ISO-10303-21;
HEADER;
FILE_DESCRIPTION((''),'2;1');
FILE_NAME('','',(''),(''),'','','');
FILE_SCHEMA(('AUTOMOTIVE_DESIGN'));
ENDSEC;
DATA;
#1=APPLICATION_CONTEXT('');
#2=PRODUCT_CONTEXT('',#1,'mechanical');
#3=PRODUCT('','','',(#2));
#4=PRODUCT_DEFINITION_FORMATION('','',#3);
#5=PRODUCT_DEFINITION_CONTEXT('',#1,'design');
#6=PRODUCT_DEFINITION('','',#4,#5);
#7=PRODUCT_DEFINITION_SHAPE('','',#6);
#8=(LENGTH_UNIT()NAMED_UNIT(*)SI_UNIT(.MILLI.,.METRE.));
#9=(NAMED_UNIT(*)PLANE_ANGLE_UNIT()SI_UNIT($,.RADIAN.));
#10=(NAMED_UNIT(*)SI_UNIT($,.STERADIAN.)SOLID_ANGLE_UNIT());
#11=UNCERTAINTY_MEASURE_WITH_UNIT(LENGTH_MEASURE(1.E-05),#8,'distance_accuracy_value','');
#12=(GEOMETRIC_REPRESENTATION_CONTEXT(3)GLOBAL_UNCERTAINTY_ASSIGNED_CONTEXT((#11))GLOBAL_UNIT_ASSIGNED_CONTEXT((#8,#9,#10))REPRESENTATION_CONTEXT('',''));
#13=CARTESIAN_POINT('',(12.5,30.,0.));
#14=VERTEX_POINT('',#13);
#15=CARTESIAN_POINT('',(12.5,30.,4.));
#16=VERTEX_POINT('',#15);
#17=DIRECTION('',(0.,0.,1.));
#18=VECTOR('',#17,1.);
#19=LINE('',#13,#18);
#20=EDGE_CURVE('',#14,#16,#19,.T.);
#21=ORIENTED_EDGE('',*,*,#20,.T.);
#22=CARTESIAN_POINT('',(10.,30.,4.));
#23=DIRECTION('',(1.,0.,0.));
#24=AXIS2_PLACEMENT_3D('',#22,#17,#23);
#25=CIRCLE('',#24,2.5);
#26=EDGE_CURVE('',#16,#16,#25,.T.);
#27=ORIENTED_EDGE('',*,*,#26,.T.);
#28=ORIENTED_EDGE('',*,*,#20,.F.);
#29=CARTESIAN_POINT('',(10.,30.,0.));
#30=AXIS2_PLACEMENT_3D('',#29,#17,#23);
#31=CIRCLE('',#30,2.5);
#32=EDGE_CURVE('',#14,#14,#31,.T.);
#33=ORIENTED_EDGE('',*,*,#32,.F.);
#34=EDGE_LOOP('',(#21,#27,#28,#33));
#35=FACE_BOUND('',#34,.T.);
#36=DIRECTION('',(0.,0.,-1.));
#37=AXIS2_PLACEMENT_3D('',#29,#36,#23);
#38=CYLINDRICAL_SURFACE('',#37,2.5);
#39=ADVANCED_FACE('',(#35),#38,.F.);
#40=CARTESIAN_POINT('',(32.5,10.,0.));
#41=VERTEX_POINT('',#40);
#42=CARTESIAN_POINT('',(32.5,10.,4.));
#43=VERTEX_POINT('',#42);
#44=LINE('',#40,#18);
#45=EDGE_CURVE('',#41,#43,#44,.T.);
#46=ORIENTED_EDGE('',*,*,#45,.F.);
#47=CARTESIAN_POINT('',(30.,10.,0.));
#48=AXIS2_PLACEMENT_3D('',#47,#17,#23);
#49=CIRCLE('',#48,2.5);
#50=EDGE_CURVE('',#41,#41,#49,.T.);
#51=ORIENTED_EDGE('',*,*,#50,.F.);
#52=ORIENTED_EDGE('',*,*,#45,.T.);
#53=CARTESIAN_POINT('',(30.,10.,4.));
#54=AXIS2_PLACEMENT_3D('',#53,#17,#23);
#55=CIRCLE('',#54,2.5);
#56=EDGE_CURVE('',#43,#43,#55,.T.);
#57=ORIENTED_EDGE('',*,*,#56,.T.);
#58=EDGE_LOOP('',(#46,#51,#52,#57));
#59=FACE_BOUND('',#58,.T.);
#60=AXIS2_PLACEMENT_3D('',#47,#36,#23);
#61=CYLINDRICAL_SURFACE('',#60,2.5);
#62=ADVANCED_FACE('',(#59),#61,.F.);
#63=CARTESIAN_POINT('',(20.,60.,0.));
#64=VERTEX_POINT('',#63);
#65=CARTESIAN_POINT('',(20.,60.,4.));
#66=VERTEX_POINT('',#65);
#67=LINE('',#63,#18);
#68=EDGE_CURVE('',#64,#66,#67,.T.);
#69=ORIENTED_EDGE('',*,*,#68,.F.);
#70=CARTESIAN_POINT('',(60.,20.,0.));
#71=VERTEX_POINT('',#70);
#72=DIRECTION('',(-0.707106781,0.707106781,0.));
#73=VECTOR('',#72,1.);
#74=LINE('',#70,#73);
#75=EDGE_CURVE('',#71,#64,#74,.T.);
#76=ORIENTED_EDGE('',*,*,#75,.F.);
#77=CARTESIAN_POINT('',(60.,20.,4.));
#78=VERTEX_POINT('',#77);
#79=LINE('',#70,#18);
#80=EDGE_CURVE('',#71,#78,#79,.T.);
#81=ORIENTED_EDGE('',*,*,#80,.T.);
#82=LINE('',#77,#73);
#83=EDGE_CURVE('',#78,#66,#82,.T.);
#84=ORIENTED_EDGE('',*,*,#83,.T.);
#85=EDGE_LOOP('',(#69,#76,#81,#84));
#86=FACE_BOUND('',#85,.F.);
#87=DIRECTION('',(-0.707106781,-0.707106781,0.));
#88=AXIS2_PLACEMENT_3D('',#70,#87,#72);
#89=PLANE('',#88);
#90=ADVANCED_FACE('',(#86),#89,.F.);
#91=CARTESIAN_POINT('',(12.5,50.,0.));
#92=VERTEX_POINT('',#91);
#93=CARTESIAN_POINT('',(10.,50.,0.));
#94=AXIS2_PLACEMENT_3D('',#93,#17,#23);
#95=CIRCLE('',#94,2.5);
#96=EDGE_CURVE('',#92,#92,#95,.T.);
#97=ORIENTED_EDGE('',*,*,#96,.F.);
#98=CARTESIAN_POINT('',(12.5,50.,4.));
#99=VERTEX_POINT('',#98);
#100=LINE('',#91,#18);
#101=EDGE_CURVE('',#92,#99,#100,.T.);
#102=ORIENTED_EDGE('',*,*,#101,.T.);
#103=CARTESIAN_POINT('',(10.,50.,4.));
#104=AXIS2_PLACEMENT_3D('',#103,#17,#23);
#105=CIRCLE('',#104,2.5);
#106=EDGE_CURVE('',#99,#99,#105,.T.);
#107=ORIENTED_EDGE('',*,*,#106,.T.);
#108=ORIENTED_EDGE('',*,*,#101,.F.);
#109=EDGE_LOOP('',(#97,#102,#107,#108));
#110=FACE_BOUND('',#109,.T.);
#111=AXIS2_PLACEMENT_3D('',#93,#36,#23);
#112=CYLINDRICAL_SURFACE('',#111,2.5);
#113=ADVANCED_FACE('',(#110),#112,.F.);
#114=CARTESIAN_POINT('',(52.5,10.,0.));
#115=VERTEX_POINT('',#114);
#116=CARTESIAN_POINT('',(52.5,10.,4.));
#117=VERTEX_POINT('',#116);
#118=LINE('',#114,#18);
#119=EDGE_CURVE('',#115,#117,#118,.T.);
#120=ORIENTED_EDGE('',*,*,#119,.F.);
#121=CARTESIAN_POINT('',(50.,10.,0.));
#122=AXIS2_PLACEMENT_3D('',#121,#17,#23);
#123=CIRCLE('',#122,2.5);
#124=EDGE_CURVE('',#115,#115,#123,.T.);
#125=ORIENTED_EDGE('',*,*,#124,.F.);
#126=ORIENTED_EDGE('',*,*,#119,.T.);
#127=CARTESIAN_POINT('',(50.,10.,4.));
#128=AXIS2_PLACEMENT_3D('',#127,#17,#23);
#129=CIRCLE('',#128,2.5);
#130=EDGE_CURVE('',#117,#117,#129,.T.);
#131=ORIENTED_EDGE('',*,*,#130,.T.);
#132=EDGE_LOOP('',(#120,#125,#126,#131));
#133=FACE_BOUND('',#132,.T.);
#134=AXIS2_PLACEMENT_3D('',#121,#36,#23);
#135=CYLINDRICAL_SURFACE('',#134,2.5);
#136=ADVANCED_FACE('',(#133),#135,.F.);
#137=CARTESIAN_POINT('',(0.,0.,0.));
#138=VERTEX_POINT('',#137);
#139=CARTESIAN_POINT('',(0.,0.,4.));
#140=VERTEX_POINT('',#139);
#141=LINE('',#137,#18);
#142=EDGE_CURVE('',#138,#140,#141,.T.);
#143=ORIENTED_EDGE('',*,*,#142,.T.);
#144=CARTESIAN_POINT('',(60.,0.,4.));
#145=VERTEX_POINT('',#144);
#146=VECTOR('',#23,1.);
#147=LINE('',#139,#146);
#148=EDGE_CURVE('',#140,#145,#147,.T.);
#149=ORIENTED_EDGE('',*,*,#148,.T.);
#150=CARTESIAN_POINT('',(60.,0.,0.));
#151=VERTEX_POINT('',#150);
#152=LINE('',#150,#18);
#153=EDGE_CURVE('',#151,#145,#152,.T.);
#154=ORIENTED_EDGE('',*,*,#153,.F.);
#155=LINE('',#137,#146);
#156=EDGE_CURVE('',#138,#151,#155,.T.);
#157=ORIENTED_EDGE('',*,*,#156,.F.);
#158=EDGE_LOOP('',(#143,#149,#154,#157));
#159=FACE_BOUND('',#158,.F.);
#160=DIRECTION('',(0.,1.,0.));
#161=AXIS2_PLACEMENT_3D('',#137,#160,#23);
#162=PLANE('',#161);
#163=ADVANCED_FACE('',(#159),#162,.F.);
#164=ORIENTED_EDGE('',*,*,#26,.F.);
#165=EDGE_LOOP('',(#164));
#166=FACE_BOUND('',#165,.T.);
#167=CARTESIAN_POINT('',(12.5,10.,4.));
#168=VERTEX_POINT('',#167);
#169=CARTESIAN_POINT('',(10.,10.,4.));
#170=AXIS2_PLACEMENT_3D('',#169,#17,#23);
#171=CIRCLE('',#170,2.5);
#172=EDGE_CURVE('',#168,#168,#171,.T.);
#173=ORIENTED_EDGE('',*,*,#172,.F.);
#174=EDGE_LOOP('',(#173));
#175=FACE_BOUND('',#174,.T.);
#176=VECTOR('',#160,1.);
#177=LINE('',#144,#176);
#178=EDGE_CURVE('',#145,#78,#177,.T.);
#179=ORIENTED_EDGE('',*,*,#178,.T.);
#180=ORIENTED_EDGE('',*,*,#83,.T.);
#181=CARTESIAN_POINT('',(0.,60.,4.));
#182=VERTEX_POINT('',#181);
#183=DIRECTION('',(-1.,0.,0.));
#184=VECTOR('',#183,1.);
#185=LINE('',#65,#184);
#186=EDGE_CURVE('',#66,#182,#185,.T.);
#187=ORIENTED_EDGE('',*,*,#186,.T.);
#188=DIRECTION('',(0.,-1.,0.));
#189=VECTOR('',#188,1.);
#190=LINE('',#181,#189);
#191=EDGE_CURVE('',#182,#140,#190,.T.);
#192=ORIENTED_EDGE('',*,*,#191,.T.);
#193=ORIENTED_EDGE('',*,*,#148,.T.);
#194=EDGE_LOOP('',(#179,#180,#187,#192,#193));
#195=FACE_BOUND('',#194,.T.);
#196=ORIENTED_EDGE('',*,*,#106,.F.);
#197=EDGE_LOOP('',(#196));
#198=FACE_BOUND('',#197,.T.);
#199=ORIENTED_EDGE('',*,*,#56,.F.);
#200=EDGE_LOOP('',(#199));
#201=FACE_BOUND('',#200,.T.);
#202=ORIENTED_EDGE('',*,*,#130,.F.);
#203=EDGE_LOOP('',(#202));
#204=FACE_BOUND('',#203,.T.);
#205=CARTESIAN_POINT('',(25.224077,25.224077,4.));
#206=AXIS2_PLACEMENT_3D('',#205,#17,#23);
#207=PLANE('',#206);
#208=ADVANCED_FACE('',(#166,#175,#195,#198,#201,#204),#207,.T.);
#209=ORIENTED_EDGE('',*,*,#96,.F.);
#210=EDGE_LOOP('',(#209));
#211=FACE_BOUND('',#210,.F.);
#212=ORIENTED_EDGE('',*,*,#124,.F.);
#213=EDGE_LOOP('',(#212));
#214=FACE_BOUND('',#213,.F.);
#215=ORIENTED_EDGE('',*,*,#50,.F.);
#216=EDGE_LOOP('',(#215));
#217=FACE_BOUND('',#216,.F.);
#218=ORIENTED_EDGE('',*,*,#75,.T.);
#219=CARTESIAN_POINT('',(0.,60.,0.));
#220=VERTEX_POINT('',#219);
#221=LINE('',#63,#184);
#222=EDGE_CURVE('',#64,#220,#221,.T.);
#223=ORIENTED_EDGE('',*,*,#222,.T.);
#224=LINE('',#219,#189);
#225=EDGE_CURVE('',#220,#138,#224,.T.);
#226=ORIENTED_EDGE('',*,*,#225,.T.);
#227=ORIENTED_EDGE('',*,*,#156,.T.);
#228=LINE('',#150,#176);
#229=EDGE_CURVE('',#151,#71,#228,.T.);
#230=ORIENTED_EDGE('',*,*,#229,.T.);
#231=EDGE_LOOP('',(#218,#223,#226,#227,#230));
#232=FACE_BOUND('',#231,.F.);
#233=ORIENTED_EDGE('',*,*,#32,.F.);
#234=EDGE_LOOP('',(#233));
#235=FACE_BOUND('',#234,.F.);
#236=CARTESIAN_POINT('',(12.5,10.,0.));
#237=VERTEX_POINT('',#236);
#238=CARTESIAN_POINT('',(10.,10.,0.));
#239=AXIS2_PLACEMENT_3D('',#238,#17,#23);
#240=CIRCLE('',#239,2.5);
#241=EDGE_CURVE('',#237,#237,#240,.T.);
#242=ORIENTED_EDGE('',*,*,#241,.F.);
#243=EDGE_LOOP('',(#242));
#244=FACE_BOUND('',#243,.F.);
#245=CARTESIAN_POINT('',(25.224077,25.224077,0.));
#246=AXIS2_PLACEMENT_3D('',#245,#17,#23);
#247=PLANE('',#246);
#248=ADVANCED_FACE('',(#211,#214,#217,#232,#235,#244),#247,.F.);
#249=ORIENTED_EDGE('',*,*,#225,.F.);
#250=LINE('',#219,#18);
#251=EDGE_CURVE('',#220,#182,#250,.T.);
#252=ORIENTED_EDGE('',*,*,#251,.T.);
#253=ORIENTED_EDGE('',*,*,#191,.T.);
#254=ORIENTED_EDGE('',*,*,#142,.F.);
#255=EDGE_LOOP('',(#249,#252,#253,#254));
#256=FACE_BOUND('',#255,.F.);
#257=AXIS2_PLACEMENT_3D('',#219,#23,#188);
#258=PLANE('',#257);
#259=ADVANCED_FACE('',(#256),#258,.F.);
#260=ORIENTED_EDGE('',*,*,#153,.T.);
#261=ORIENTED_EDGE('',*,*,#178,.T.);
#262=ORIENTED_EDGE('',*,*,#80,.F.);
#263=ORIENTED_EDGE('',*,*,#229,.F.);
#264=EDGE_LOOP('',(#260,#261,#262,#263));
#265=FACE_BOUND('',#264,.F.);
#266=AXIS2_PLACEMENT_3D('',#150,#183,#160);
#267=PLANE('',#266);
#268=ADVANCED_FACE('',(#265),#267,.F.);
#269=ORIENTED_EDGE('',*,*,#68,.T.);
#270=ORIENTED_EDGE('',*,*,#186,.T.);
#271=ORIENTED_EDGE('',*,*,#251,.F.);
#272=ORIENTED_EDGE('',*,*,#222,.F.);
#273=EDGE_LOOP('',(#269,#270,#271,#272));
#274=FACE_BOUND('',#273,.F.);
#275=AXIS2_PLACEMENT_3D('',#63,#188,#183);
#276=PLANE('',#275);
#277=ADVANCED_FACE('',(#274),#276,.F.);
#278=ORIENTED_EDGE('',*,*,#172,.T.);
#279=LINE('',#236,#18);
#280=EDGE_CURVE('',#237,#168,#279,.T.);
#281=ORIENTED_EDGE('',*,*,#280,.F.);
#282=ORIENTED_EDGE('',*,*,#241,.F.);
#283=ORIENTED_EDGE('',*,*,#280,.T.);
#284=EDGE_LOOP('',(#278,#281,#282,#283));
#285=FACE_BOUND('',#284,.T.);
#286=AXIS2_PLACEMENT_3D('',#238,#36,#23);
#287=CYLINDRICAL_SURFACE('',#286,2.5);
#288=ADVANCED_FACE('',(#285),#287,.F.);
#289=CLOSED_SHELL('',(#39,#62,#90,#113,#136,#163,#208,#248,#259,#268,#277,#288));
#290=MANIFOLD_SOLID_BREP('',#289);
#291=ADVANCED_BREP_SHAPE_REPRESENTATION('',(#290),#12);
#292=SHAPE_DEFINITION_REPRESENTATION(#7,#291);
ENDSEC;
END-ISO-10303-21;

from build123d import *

# Parameters (mm, degrees)
F0_R     = 2.5
F1_DEPTH = 4


with BuildPart() as f1:
    # F0 (on Top) → F1 (new body)
    with BuildSketch(Plane.XY):
        Polygon((0, 60), (0, 0), (60, 0), (60, 20), (20, 60), align=None)
        with Locations((10, 10)):
            Circle(F0_R, mode=Mode.SUBTRACT)
        with Locations((10, 30)):
            Circle(F0_R, mode=Mode.SUBTRACT)
        with Locations((30, 10)):
            Circle(F0_R, mode=Mode.SUBTRACT)
        with Locations((50, 10)):
            Circle(F0_R, mode=Mode.SUBTRACT)
        with Locations((10, 50)):
            Circle(F0_R, mode=Mode.SUBTRACT)
    extrude(amount=F1_DEPTH)


solid = f1.part
